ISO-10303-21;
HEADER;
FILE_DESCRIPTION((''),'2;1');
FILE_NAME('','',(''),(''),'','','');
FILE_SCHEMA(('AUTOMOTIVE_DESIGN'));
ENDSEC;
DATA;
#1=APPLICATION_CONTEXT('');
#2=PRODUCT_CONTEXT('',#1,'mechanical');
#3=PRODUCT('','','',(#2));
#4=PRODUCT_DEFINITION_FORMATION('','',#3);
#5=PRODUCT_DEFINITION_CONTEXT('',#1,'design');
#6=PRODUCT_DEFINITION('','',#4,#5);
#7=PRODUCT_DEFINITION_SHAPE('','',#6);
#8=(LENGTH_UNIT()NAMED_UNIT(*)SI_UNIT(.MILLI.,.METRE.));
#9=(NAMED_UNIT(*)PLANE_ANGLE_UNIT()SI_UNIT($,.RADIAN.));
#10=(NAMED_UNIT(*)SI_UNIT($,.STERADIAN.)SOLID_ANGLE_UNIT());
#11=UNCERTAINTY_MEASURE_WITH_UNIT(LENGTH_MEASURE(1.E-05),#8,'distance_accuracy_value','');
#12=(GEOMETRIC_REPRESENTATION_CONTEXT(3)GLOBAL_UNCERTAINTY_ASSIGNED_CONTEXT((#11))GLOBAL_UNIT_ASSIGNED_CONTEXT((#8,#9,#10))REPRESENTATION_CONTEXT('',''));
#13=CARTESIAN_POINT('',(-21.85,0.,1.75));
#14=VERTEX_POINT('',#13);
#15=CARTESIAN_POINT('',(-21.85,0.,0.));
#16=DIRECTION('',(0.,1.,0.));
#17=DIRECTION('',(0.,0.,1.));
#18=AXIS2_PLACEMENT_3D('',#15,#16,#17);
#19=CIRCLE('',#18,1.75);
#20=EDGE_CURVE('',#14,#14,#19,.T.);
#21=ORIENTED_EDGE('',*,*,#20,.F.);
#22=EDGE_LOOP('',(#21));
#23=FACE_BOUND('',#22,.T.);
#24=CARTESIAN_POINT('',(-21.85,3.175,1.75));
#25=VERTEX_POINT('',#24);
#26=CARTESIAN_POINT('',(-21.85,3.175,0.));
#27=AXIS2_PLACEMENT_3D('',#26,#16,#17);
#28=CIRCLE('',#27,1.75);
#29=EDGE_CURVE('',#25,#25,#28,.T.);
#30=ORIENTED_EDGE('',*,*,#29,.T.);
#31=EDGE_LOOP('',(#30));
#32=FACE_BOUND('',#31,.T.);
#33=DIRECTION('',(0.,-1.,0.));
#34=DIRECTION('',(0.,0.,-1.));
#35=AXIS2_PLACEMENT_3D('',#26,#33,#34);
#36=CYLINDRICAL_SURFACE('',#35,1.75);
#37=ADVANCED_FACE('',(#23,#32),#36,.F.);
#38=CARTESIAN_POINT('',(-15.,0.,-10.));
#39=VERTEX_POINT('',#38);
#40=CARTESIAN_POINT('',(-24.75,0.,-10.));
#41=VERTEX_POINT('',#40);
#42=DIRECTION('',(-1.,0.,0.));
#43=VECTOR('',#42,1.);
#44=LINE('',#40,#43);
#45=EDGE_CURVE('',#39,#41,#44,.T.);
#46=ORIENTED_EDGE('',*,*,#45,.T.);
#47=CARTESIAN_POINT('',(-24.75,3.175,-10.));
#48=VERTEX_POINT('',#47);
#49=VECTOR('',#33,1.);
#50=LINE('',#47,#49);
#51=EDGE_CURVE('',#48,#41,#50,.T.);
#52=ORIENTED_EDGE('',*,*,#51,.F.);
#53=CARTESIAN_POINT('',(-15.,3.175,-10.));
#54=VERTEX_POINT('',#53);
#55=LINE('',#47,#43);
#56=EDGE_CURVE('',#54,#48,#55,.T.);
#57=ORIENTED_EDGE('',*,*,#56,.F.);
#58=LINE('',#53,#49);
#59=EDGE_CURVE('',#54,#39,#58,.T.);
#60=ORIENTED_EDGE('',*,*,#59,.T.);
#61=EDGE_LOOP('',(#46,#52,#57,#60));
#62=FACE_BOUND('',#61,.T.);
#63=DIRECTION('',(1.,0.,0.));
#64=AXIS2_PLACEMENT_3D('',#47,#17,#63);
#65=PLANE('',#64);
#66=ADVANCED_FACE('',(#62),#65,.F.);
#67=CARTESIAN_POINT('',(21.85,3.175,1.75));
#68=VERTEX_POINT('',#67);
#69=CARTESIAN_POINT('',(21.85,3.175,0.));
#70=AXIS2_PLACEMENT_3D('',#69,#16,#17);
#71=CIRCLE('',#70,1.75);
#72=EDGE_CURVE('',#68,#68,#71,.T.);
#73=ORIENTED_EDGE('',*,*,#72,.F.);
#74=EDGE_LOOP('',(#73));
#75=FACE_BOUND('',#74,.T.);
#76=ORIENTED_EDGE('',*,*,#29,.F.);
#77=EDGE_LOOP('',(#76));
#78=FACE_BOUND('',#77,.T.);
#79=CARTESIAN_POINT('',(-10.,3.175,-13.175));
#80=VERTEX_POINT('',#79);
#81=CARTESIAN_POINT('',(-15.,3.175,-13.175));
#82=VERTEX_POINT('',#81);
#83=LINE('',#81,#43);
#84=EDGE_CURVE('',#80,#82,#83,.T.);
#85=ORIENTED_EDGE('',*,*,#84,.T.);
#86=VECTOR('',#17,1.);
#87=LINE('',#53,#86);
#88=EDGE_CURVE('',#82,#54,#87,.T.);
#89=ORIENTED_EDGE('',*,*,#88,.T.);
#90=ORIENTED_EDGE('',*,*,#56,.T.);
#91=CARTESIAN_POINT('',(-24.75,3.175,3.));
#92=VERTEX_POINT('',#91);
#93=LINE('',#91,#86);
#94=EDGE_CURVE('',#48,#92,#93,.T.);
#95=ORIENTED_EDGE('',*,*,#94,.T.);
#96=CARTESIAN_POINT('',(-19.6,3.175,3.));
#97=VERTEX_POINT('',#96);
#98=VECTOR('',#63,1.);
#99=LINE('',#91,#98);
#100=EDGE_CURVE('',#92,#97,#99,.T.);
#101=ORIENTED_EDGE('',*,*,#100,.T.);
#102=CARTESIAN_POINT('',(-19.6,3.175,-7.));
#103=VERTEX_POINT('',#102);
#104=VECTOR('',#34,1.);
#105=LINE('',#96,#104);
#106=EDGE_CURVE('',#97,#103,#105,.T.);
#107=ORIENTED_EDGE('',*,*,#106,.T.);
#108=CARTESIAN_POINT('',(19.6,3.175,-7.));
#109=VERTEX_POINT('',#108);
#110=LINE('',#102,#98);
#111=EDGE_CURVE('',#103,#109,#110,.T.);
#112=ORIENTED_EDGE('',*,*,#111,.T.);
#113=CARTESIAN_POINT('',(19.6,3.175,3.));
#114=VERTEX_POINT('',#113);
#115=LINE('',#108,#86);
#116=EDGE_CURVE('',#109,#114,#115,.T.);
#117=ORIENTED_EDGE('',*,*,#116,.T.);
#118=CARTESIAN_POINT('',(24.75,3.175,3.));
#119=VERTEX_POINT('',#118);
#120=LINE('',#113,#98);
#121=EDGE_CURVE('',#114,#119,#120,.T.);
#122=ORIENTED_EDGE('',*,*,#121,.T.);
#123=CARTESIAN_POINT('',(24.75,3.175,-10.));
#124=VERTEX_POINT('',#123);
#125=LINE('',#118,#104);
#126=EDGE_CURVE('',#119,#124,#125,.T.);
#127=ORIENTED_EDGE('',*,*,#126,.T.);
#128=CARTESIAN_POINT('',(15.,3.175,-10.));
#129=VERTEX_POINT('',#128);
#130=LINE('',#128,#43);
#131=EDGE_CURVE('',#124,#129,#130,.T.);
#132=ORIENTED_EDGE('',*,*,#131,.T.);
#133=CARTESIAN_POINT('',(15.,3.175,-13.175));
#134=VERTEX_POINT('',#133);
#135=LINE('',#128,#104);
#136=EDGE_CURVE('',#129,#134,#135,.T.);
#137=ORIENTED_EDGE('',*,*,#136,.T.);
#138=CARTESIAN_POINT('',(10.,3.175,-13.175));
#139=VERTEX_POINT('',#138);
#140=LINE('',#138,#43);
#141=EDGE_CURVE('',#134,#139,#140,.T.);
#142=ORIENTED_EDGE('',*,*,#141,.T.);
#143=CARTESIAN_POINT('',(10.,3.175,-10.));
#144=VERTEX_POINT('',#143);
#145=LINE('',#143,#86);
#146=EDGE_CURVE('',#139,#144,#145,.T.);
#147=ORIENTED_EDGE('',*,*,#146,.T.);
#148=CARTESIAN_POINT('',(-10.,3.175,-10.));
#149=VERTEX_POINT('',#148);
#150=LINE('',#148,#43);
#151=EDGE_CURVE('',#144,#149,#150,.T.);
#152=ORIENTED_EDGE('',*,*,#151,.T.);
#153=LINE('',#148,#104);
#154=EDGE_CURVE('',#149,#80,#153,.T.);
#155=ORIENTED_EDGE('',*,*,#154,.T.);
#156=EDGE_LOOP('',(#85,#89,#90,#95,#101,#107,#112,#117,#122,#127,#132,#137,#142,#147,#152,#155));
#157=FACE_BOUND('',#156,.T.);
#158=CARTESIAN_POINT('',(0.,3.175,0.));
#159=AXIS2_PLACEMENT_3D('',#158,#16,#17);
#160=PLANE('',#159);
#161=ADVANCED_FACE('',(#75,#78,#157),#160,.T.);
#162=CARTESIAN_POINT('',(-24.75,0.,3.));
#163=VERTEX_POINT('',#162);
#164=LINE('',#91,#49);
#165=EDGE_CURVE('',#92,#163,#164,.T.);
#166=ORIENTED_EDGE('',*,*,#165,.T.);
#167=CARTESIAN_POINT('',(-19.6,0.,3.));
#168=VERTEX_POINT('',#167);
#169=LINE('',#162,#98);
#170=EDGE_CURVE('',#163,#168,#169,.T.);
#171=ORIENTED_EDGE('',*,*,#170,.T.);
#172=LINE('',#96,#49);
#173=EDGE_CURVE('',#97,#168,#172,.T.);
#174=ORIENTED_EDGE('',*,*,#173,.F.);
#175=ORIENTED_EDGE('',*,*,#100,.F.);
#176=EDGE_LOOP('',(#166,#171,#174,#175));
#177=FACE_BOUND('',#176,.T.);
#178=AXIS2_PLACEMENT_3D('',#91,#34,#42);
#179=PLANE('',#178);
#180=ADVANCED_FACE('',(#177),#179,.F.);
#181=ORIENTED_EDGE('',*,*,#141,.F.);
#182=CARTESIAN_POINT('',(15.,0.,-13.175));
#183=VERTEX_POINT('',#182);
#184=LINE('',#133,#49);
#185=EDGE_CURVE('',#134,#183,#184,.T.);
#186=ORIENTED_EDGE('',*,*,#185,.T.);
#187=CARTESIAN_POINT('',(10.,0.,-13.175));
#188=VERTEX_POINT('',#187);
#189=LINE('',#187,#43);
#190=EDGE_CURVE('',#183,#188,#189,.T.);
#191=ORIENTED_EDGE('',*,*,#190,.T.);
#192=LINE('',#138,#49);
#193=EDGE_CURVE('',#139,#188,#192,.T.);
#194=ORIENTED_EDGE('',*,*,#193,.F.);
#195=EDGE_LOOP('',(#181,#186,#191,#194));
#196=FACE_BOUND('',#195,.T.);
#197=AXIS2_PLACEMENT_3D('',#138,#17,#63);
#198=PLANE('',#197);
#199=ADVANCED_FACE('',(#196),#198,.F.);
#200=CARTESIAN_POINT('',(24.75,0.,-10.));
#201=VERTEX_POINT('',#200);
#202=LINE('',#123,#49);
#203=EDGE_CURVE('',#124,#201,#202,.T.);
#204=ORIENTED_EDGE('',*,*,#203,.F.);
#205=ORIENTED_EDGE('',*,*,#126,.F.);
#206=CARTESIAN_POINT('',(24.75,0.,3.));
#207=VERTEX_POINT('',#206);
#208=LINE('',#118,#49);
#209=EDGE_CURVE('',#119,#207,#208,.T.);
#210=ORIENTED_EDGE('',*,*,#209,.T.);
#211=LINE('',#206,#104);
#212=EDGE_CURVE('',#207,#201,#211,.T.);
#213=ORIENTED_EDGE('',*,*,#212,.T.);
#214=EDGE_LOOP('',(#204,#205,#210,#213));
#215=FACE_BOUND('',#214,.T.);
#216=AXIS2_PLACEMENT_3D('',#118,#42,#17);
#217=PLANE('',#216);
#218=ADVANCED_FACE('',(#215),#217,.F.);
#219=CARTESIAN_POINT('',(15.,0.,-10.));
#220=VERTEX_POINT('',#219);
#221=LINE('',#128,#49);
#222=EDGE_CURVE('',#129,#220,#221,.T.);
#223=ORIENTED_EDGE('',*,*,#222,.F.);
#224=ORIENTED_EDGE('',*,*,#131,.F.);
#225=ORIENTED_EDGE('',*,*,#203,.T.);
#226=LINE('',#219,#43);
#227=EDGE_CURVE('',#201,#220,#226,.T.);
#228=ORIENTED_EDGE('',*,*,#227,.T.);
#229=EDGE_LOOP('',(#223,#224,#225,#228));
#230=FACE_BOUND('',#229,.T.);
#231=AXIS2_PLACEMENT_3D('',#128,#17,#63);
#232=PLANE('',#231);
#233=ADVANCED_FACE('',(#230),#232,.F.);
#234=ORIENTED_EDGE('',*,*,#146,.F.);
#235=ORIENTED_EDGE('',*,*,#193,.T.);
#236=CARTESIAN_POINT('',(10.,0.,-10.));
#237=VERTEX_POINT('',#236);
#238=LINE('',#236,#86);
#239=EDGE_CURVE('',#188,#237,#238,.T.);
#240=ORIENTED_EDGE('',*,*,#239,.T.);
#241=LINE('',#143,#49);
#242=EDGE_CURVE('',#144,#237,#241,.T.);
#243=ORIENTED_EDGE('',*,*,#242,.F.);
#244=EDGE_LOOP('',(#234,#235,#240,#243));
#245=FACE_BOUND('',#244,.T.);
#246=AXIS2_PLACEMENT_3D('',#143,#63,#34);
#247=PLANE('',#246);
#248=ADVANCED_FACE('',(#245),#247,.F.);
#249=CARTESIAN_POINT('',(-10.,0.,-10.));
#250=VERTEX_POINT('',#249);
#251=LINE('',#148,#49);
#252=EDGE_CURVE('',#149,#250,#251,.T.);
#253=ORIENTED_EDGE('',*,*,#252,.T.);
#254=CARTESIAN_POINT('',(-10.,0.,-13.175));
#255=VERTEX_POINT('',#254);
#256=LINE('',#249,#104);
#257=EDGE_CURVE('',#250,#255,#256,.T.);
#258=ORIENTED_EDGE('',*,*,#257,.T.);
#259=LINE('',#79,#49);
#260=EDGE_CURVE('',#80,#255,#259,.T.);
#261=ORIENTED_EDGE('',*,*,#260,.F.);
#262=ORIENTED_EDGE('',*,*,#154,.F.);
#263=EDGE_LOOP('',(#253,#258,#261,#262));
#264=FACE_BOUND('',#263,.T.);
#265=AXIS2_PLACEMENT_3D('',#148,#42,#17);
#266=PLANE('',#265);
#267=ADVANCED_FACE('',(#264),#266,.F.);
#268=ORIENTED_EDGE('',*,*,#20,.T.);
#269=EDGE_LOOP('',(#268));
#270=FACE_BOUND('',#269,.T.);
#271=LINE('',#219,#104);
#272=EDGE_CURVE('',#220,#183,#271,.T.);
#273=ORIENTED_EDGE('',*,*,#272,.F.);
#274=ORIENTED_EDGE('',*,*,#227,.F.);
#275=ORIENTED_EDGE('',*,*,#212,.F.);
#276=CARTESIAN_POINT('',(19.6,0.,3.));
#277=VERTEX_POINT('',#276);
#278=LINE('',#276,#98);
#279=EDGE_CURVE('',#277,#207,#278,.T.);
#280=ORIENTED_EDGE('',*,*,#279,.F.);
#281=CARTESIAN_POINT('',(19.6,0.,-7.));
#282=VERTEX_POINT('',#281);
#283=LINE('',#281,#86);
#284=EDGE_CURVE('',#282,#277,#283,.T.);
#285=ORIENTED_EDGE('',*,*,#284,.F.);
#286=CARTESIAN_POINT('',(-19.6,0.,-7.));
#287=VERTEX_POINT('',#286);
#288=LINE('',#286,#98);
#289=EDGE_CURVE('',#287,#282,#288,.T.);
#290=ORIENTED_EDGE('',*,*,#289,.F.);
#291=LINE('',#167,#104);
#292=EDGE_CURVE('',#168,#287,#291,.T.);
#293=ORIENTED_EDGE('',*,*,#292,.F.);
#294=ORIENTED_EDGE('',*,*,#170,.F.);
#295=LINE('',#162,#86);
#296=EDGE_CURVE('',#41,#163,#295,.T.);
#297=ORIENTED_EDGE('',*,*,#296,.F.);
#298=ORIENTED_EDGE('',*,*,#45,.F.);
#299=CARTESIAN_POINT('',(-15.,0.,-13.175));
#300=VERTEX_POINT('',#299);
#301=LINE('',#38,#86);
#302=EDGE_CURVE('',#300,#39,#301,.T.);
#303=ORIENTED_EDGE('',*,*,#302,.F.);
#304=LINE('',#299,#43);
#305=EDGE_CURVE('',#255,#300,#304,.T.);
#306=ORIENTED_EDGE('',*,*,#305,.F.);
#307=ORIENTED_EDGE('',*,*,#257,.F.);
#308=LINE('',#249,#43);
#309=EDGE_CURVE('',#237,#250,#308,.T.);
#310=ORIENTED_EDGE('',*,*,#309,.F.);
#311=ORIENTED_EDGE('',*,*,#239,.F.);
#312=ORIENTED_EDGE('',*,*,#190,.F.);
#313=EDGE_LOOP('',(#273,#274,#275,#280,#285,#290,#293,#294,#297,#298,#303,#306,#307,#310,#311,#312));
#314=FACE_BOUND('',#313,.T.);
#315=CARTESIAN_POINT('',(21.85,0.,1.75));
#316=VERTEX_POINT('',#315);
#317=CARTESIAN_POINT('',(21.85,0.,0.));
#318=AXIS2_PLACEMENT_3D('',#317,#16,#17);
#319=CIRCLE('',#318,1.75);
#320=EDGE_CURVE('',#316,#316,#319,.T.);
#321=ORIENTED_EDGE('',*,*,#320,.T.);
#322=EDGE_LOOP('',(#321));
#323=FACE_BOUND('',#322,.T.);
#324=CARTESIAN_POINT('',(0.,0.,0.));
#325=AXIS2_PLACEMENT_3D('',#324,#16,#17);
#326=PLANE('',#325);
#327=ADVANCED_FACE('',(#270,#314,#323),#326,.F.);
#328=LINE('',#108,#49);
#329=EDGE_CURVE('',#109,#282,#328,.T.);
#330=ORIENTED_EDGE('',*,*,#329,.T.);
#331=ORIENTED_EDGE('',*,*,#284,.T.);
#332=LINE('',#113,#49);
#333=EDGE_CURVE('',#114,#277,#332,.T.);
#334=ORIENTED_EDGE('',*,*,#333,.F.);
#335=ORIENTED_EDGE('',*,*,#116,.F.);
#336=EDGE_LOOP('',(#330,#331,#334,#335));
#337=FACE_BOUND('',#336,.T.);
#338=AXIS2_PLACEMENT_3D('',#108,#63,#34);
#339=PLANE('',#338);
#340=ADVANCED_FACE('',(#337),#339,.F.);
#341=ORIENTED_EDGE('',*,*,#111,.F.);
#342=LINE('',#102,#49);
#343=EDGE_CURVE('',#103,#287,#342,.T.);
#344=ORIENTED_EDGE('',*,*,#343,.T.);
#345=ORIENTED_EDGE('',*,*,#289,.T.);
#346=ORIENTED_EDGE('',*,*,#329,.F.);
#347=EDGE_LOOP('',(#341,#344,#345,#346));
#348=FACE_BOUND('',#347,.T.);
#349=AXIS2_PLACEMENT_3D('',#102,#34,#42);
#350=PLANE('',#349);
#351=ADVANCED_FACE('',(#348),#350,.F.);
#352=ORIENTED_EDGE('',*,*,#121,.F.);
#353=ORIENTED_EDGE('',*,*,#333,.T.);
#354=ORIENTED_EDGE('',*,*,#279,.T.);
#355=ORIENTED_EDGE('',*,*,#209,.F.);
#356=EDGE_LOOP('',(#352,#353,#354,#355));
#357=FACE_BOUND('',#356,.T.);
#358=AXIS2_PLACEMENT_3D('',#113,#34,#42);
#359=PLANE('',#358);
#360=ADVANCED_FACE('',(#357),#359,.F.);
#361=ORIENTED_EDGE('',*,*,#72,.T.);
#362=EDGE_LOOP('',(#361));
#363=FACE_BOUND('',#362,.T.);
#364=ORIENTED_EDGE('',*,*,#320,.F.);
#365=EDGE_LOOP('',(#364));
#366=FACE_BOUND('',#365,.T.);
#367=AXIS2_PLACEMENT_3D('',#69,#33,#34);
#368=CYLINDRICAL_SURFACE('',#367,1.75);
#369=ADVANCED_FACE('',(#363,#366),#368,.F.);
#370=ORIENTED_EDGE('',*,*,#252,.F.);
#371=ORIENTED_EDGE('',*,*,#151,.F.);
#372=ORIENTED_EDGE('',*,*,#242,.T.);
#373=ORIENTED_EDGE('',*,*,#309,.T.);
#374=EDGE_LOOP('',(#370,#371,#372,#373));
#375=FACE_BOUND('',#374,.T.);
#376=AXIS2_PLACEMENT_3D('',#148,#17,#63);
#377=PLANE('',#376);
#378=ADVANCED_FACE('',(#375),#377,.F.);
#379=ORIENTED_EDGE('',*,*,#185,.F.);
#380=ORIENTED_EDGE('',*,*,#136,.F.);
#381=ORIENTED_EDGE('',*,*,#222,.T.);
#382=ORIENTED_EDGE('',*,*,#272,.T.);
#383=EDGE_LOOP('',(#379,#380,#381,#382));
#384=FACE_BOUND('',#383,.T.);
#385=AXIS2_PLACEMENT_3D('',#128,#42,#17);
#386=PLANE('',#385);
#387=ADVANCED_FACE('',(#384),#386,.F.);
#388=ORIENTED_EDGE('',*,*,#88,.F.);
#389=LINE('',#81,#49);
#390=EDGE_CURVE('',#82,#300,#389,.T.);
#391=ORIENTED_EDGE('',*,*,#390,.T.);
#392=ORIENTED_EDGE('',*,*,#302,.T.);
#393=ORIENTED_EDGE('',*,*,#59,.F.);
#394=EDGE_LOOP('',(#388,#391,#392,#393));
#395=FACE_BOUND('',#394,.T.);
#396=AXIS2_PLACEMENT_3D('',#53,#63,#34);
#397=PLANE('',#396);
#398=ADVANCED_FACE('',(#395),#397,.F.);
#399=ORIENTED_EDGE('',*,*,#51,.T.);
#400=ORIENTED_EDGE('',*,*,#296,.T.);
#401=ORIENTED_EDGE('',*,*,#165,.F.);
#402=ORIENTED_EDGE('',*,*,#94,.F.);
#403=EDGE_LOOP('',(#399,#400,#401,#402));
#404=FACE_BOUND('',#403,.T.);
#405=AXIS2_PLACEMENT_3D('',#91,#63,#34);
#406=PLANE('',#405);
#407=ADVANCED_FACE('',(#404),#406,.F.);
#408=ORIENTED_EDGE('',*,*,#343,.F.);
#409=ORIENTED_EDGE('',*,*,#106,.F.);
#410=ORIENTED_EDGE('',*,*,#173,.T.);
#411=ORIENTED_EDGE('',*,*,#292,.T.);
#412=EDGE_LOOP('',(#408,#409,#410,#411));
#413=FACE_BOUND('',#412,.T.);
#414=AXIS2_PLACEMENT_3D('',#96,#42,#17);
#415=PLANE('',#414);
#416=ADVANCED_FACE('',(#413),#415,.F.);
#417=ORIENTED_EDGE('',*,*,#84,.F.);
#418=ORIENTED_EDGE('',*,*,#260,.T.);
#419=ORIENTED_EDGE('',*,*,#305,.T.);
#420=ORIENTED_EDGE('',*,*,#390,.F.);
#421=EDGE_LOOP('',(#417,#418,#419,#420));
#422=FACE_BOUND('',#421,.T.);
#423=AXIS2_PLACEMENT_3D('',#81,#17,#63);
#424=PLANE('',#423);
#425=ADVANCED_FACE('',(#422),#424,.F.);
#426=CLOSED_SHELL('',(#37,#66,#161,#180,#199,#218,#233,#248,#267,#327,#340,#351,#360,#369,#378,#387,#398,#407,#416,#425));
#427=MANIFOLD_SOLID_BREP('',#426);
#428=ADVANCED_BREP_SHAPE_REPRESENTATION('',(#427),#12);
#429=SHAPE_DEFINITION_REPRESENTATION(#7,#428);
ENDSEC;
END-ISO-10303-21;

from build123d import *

# Parameters (mm, degrees)
SKETCH1_R           = 1.75
BOSS_EXTRUDE1_DEPTH = 3.175


with BuildPart() as part:
    # Sketch1 → Boss-Extrude1 (new body)
    with BuildSketch(Plane(origin=(0, 0, 0), x_dir=(1, 0, 0), z_dir=(0, 1, 0))):
        Polygon((-24.75, -3), (-24.75, 10), (-15, 10), (-15, 13.175), (-10, 13.175), (-10, 10), (10, 10), (10, 13.175), (15, 13.175), (15, 10), (24.75, 10), (24.75, -3), (19.6, -3), (19.6, 7), (-19.6, 7), (-19.6, -3), align=None)
        with Locations(Location((-21.85, 0, 0), (0, 0, 270))):
            Circle(SKETCH1_R, mode=Mode.SUBTRACT)
        with Locations(Location((21.85, 0, 0), (0, 0, 270))):
            Circle(SKETCH1_R, mode=Mode.SUBTRACT)
    extrude(amount=BOSS_EXTRUDE1_DEPTH)


solid = part.part
